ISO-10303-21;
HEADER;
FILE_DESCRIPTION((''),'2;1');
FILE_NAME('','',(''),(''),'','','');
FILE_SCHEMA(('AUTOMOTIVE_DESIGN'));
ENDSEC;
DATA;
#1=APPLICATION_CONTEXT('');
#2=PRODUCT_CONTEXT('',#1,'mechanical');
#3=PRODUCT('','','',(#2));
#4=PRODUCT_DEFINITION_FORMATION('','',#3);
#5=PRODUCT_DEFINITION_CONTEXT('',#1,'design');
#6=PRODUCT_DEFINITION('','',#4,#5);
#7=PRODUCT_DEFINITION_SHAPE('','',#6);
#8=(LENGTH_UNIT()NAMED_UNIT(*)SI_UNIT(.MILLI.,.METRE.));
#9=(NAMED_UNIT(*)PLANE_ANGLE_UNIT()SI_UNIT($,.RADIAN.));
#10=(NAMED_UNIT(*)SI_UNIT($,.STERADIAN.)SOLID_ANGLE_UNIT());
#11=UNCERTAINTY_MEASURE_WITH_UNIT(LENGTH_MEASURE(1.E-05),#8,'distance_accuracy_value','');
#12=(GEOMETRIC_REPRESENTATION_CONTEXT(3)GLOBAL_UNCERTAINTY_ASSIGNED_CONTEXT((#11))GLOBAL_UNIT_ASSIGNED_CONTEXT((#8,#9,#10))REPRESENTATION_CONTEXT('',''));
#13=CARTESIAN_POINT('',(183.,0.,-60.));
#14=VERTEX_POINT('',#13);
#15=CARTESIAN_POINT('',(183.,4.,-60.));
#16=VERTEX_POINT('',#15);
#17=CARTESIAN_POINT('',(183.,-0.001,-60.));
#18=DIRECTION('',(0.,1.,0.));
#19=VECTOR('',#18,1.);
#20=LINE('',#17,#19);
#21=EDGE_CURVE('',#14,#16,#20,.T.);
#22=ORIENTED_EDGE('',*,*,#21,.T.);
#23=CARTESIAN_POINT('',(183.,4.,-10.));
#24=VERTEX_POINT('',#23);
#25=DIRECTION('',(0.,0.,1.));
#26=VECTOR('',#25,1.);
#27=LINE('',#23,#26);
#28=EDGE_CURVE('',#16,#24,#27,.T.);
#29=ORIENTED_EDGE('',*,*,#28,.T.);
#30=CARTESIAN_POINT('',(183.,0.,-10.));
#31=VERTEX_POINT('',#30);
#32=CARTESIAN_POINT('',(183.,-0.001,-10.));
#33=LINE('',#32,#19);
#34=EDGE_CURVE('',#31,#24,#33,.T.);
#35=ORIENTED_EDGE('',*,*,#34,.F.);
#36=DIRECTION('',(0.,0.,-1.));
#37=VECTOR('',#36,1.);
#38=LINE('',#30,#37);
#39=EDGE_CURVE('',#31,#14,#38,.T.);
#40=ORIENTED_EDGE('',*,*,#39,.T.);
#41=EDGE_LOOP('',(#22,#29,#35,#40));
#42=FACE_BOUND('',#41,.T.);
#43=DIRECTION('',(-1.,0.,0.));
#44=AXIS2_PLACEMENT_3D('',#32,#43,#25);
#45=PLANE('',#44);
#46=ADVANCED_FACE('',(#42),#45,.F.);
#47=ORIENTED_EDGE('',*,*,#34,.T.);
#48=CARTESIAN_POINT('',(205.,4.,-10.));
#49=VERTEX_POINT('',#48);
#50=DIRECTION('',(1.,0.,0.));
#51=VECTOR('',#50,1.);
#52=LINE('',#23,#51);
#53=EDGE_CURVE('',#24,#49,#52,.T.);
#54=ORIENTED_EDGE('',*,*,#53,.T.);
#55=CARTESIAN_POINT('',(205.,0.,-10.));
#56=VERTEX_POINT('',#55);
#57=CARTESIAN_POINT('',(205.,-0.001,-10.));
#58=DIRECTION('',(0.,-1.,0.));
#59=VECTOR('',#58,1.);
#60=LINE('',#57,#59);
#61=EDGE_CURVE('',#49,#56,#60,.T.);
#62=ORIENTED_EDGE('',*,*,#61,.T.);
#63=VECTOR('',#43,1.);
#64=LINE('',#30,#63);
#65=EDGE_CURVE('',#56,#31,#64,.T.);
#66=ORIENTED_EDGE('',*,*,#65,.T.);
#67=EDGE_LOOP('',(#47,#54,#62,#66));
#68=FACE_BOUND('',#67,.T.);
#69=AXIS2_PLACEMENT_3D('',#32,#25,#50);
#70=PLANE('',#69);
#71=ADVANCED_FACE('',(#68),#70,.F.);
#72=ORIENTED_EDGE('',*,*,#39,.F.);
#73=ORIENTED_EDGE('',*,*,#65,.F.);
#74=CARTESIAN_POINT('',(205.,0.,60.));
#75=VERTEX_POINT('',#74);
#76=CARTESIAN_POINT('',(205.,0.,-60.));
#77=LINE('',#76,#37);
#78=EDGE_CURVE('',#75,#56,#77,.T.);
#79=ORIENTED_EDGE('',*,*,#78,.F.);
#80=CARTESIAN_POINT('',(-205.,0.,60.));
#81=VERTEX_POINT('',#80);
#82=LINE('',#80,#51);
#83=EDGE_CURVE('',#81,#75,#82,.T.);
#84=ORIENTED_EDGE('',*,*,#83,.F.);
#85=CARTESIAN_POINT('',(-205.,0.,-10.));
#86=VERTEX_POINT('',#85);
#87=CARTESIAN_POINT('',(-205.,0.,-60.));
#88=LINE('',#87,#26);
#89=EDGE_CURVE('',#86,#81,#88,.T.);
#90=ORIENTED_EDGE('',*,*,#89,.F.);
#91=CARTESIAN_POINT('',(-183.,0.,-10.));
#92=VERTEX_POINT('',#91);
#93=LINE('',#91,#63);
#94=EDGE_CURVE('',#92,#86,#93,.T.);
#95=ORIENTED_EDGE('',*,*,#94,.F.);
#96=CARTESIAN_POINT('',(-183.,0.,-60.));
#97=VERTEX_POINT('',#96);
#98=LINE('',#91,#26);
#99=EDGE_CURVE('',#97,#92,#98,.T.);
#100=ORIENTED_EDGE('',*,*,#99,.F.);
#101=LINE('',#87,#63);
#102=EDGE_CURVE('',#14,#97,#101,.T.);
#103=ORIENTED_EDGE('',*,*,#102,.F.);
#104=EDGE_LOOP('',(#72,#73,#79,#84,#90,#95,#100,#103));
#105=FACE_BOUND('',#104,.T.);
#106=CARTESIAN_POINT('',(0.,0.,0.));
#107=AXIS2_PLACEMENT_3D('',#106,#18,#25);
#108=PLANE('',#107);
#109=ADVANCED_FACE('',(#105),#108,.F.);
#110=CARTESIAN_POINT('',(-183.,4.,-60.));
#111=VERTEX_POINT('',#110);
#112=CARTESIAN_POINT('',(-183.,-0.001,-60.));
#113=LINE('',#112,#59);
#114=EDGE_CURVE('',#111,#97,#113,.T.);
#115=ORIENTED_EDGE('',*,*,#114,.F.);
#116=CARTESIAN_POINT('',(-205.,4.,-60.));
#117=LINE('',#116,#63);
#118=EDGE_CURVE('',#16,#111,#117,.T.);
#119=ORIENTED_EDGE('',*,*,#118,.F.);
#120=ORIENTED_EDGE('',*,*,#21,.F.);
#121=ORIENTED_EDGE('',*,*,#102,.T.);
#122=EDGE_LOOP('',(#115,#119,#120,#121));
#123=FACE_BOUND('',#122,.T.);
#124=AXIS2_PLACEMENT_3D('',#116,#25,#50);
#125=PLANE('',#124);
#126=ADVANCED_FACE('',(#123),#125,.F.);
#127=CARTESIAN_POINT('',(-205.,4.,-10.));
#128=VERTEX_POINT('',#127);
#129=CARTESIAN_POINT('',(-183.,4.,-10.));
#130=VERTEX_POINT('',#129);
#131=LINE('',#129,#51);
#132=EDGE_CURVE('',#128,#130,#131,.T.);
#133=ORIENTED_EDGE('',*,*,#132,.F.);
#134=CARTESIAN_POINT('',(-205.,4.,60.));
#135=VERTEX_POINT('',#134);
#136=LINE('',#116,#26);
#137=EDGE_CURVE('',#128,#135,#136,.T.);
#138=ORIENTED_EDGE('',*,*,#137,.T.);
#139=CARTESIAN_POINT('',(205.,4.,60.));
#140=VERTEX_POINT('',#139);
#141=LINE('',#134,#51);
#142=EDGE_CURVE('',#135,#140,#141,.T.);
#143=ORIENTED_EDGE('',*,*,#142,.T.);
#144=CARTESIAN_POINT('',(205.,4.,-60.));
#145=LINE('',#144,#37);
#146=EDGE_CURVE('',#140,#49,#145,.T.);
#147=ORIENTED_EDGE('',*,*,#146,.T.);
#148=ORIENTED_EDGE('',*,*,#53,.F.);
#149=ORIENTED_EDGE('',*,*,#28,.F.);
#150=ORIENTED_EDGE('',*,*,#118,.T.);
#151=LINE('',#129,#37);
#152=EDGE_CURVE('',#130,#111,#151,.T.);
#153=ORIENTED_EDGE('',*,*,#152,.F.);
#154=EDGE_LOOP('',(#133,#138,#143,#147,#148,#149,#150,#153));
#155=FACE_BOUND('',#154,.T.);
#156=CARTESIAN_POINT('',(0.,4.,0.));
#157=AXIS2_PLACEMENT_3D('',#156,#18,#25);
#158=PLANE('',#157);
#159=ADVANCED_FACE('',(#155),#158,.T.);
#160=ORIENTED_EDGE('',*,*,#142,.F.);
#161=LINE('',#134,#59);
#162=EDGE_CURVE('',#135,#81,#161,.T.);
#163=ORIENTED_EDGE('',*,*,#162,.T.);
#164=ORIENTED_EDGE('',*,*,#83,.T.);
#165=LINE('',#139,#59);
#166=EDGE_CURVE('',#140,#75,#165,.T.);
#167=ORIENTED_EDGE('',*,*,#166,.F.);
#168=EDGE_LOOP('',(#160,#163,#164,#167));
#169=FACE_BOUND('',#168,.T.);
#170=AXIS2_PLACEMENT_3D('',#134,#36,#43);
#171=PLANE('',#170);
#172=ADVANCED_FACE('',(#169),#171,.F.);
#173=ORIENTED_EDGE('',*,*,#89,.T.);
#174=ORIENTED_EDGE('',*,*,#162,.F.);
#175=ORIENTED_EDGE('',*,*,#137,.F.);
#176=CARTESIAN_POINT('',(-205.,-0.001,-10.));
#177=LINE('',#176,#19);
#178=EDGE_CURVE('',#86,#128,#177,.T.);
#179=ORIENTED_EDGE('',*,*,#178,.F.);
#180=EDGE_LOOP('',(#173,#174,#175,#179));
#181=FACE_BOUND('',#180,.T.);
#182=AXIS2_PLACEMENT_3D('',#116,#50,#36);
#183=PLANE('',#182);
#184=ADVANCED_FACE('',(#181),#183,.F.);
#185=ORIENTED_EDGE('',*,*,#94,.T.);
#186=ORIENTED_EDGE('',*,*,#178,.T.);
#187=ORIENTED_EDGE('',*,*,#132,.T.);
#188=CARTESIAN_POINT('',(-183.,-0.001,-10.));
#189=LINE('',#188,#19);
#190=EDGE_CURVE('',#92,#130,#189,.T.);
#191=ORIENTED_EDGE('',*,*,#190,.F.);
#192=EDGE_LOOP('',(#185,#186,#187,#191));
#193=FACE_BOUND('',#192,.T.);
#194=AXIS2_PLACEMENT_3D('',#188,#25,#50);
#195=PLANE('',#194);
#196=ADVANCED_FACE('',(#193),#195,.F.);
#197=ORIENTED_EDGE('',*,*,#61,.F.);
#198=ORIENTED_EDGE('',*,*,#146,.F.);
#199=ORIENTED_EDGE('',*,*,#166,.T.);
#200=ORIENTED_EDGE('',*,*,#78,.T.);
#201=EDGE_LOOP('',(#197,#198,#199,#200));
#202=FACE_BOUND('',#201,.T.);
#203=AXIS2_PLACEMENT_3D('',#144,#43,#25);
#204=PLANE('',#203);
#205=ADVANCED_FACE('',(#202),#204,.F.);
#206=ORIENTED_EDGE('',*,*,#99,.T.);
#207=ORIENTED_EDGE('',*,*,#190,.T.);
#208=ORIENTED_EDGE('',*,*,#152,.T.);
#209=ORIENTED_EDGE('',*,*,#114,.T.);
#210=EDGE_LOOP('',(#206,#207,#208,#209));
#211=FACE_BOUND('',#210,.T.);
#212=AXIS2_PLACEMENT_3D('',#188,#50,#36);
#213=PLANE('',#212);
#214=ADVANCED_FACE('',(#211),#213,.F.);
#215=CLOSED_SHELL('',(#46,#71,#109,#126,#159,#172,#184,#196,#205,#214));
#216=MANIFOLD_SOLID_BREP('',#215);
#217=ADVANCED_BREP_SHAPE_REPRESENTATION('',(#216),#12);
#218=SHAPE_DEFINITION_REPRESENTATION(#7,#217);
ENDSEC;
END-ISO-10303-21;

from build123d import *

# Parameters (mm, degrees)
SKETCH1_W           = 410
SKETCH1_H           = 120
BOSS_EXTRUDE1_DEPTH = 4
CUT_EXTRUDE1_REACH  = 215.638
SKETCH2_W           = 50.170218681
SKETCH2_H           = 70.735007755


with BuildPart() as part:
    # Sketch1 → Boss-Extrude1 (new body)
    with BuildSketch(Plane(origin=(0, 0, 0), x_dir=(1, 0, 0), z_dir=(0, 1, 0))):
        Rectangle(SKETCH1_W, SKETCH1_H)
    extrude(amount=BOSS_EXTRUDE1_DEPTH)

    # Sketch2 → Cut-Extrude1 (cut, up to next)
    with BuildSketch(Plane(origin=(0, 4, 0), x_dir=(1, 0, 0), z_dir=(0, 1, 0)), mode=Mode.PRIVATE) as cut_extrude1_sk1:
        with Locations((208.085109341, 45.367503877)):
            Rectangle(SKETCH2_W, SKETCH2_H)
    cut_extrude1_tool1 = extrude(cut_extrude1_sk1.sketch, amount=-CUT_EXTRUDE1_REACH, mode=Mode.PRIVATE) & part.part
    # Sketch2 → Cut-Extrude1 (cut, up to next)
    with BuildSketch(Plane(origin=(0, 4, 0), x_dir=(1, 0, 0), z_dir=(0, 1, 0)), mode=Mode.PRIVATE) as cut_extrude1_sk2:
        with Locations((-208.085109341, 45.367503877)):
            Rectangle(SKETCH2_W, SKETCH2_H)
    cut_extrude1_tool2 = extrude(cut_extrude1_sk2.sketch, amount=-CUT_EXTRUDE1_REACH, mode=Mode.PRIVATE) & part.part
    add(cut_extrude1_tool1.solids().sort_by_distance((208.085109, 4, -45.367504))[0], mode=Mode.SUBTRACT)
    add(cut_extrude1_tool2.solids().sort_by_distance((-208.085109, 4, -45.367504))[0], mode=Mode.SUBTRACT)


solid = part.part
